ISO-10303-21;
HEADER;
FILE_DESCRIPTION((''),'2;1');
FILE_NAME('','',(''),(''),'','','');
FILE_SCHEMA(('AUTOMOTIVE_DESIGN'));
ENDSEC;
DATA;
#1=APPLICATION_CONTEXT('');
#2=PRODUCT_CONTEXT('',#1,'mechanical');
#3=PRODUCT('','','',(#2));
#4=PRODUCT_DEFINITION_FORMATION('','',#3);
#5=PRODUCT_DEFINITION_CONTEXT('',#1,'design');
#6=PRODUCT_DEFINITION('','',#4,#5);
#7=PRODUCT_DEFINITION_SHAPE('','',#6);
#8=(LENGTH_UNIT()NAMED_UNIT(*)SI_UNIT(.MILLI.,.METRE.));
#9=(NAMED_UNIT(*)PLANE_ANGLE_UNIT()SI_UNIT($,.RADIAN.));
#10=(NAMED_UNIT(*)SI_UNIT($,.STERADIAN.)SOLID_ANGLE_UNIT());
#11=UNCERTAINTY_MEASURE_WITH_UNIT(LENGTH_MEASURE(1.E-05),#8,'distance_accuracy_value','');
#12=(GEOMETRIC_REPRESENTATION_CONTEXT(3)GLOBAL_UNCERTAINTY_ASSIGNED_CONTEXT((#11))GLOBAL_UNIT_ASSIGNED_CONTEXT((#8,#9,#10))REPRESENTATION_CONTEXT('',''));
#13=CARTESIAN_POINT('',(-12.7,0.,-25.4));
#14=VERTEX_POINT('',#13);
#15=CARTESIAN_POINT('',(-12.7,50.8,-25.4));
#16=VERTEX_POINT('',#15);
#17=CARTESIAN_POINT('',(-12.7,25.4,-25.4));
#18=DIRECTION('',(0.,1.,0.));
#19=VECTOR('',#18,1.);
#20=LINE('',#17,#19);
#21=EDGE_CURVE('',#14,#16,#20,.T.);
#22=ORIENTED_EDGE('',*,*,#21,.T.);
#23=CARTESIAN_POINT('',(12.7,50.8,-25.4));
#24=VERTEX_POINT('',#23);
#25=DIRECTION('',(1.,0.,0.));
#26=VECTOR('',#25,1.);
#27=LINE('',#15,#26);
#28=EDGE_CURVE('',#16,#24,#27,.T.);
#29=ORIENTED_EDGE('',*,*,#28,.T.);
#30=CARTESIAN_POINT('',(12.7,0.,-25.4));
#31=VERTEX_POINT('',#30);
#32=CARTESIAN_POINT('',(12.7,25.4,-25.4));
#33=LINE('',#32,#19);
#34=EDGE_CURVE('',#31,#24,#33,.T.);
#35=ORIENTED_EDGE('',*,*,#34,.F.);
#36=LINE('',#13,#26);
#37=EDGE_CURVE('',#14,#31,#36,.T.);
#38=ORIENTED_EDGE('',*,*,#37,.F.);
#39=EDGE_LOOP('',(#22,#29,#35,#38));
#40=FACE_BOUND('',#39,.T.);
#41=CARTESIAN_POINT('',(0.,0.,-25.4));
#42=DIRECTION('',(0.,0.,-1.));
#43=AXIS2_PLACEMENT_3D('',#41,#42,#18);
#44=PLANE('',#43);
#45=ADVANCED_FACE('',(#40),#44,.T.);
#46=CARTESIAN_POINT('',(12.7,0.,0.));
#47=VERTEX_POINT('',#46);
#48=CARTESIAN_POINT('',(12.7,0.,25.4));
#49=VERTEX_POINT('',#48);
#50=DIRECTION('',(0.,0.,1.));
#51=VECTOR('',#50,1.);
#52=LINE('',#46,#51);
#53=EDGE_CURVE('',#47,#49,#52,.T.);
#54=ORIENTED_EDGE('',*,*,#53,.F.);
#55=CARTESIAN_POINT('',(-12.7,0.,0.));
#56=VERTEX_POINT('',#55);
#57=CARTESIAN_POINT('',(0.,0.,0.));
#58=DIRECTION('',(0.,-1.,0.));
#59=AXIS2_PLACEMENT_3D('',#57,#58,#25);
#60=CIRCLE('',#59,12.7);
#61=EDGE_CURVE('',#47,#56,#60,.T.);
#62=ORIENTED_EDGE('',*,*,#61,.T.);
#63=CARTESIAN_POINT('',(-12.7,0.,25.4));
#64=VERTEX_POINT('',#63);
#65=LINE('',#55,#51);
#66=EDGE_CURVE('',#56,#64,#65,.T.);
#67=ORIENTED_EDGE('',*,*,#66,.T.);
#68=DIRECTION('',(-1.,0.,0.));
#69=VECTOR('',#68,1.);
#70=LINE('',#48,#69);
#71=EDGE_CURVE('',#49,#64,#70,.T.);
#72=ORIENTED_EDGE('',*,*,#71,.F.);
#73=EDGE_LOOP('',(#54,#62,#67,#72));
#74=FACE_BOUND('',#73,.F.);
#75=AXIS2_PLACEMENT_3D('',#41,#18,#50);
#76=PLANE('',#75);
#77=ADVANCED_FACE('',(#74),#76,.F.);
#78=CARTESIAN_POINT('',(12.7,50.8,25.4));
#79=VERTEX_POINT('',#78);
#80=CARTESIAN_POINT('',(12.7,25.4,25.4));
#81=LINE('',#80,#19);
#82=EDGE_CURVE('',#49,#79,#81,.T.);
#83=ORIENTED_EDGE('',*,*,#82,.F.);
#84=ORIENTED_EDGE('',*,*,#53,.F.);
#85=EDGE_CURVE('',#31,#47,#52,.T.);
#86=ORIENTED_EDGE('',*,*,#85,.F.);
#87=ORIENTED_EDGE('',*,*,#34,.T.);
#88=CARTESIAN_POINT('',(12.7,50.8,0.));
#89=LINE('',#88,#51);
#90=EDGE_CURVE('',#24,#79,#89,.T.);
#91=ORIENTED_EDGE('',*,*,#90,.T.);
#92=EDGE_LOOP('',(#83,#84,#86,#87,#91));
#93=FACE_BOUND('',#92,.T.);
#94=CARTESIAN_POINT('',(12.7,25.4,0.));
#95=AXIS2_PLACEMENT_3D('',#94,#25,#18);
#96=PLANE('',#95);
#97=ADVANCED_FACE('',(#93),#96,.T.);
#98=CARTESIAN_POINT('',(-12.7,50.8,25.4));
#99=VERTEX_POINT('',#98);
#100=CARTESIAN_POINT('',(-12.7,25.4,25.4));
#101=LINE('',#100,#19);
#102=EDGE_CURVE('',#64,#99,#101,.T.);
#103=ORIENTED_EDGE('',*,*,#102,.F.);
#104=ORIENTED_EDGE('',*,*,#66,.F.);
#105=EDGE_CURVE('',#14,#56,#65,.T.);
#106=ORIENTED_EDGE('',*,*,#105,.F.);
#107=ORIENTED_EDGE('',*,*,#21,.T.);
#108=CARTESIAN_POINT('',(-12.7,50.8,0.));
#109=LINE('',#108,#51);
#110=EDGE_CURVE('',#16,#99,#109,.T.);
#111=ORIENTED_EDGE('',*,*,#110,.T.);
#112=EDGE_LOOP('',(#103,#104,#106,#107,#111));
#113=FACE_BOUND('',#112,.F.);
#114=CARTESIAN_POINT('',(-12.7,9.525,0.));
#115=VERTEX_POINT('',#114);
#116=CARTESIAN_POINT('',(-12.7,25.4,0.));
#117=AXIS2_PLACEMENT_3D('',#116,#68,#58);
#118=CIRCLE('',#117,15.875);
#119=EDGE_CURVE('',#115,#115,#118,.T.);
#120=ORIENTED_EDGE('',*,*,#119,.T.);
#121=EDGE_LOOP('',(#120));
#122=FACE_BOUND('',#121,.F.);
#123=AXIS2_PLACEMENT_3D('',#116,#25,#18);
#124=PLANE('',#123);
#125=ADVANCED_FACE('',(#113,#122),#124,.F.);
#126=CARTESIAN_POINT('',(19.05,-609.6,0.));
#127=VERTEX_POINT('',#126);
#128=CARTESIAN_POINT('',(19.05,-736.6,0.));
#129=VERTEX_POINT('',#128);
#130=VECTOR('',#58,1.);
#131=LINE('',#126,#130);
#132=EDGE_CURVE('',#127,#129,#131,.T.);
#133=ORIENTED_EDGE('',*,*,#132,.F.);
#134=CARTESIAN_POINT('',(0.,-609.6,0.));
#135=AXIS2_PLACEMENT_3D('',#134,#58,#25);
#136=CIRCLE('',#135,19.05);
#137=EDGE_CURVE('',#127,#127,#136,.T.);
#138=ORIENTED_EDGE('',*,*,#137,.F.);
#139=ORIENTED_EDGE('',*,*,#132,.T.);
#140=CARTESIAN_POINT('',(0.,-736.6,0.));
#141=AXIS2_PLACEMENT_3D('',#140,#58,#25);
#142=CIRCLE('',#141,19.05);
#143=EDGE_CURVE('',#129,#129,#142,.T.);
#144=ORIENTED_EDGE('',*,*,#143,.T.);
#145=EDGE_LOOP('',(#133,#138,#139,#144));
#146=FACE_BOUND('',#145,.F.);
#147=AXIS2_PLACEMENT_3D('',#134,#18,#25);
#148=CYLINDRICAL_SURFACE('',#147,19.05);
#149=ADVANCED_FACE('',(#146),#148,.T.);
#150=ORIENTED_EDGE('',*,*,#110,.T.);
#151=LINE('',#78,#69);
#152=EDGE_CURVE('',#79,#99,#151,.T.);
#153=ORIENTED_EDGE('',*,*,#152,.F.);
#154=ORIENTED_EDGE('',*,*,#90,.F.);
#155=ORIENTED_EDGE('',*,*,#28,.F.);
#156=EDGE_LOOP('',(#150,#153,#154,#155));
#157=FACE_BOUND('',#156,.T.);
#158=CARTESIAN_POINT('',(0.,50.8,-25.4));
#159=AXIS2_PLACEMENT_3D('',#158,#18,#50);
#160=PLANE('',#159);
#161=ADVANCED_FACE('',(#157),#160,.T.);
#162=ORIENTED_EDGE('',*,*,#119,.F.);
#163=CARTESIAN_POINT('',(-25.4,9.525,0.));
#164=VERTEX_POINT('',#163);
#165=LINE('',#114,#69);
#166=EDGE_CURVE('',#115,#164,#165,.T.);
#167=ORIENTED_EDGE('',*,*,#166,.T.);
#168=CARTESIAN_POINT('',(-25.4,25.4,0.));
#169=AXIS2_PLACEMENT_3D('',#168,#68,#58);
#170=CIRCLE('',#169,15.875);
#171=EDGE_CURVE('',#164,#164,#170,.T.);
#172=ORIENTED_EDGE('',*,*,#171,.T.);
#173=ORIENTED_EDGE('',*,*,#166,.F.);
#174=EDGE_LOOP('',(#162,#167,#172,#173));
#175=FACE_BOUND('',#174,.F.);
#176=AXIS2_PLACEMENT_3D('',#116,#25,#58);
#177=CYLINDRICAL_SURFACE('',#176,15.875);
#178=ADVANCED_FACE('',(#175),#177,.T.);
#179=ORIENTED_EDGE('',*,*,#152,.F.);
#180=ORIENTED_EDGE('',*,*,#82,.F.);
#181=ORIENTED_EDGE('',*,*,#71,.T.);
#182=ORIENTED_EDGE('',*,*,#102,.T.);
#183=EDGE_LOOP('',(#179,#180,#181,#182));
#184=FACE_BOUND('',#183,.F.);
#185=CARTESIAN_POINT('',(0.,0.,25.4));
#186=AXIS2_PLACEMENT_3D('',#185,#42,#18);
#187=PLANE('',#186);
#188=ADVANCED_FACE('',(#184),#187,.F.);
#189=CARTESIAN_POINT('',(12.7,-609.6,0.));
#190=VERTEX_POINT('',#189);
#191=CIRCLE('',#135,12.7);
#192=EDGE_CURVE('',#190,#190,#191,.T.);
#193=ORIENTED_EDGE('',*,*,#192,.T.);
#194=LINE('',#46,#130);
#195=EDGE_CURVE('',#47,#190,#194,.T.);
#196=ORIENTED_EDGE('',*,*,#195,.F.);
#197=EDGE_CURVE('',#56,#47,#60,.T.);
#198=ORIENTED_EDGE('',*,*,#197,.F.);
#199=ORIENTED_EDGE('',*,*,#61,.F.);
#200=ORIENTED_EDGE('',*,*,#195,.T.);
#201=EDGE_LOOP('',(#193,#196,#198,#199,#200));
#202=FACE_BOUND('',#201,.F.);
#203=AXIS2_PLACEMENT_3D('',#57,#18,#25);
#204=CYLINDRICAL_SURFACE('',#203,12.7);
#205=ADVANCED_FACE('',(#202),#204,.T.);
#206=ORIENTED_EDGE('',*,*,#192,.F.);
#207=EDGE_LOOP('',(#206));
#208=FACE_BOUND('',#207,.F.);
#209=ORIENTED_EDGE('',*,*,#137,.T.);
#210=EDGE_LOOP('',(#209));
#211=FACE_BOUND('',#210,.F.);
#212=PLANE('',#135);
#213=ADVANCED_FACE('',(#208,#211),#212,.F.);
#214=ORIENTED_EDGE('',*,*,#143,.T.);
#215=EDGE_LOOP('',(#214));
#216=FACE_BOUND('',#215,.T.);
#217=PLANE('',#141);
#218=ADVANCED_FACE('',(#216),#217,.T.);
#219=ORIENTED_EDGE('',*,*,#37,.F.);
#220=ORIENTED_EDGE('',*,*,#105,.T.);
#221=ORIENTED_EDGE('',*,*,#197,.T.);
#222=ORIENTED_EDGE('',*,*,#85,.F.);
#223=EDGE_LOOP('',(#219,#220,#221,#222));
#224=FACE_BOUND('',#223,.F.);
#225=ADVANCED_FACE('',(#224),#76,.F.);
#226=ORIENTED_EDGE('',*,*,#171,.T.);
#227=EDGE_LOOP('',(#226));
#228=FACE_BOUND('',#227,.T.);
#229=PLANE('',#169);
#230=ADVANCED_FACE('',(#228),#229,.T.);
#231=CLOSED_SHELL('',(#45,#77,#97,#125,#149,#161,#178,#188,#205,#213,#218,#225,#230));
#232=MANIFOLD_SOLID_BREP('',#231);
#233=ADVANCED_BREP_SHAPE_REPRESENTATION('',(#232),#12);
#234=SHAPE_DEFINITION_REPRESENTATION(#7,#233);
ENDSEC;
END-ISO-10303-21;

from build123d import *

# Parameters (mm, degrees)
F0_R     = 12.7
F1_DEPTH = 609.6
F2_R     = 19.05
F2_R_2   = 12.7
F3_DEPTH = 127
F4_W     = 50.8
F4_H     = 50.8
F5_DEPTH = 12.7
F6_R     = 15.875
F7_DEPTH = 12.7


with BuildPart() as f1:
    # F0 (on Front) → F1 (new body)
    with BuildSketch(Plane.XZ):
        Circle(F0_R)
    extrude(amount=F1_DEPTH)

    # F2 (on face) → F3 (join)
    with BuildSketch(Plane.XZ.offset(609.6)):
        Circle(F2_R)
        Circle(F2_R_2, mode=Mode.SUBTRACT)
        Circle(F2_R_2)
    extrude(amount=F3_DEPTH)

    # F4 (on Right) → F5 (join, symmetric)
    with BuildSketch(Plane.YZ):
        with Locations((25.4, 0)):
            Rectangle(F4_W, F4_H)
    extrude(amount=F5_DEPTH, both=True)

    # F6 (on face) → F7 (join)
    with BuildSketch(Plane(origin=(-12.7, 0, 0), x_dir=(0, -1, 0), z_dir=(-1, 0, 0))):
        with Locations((-25.4, 0)):
            Circle(F6_R)
    extrude(amount=F7_DEPTH)


solid = f1.part
